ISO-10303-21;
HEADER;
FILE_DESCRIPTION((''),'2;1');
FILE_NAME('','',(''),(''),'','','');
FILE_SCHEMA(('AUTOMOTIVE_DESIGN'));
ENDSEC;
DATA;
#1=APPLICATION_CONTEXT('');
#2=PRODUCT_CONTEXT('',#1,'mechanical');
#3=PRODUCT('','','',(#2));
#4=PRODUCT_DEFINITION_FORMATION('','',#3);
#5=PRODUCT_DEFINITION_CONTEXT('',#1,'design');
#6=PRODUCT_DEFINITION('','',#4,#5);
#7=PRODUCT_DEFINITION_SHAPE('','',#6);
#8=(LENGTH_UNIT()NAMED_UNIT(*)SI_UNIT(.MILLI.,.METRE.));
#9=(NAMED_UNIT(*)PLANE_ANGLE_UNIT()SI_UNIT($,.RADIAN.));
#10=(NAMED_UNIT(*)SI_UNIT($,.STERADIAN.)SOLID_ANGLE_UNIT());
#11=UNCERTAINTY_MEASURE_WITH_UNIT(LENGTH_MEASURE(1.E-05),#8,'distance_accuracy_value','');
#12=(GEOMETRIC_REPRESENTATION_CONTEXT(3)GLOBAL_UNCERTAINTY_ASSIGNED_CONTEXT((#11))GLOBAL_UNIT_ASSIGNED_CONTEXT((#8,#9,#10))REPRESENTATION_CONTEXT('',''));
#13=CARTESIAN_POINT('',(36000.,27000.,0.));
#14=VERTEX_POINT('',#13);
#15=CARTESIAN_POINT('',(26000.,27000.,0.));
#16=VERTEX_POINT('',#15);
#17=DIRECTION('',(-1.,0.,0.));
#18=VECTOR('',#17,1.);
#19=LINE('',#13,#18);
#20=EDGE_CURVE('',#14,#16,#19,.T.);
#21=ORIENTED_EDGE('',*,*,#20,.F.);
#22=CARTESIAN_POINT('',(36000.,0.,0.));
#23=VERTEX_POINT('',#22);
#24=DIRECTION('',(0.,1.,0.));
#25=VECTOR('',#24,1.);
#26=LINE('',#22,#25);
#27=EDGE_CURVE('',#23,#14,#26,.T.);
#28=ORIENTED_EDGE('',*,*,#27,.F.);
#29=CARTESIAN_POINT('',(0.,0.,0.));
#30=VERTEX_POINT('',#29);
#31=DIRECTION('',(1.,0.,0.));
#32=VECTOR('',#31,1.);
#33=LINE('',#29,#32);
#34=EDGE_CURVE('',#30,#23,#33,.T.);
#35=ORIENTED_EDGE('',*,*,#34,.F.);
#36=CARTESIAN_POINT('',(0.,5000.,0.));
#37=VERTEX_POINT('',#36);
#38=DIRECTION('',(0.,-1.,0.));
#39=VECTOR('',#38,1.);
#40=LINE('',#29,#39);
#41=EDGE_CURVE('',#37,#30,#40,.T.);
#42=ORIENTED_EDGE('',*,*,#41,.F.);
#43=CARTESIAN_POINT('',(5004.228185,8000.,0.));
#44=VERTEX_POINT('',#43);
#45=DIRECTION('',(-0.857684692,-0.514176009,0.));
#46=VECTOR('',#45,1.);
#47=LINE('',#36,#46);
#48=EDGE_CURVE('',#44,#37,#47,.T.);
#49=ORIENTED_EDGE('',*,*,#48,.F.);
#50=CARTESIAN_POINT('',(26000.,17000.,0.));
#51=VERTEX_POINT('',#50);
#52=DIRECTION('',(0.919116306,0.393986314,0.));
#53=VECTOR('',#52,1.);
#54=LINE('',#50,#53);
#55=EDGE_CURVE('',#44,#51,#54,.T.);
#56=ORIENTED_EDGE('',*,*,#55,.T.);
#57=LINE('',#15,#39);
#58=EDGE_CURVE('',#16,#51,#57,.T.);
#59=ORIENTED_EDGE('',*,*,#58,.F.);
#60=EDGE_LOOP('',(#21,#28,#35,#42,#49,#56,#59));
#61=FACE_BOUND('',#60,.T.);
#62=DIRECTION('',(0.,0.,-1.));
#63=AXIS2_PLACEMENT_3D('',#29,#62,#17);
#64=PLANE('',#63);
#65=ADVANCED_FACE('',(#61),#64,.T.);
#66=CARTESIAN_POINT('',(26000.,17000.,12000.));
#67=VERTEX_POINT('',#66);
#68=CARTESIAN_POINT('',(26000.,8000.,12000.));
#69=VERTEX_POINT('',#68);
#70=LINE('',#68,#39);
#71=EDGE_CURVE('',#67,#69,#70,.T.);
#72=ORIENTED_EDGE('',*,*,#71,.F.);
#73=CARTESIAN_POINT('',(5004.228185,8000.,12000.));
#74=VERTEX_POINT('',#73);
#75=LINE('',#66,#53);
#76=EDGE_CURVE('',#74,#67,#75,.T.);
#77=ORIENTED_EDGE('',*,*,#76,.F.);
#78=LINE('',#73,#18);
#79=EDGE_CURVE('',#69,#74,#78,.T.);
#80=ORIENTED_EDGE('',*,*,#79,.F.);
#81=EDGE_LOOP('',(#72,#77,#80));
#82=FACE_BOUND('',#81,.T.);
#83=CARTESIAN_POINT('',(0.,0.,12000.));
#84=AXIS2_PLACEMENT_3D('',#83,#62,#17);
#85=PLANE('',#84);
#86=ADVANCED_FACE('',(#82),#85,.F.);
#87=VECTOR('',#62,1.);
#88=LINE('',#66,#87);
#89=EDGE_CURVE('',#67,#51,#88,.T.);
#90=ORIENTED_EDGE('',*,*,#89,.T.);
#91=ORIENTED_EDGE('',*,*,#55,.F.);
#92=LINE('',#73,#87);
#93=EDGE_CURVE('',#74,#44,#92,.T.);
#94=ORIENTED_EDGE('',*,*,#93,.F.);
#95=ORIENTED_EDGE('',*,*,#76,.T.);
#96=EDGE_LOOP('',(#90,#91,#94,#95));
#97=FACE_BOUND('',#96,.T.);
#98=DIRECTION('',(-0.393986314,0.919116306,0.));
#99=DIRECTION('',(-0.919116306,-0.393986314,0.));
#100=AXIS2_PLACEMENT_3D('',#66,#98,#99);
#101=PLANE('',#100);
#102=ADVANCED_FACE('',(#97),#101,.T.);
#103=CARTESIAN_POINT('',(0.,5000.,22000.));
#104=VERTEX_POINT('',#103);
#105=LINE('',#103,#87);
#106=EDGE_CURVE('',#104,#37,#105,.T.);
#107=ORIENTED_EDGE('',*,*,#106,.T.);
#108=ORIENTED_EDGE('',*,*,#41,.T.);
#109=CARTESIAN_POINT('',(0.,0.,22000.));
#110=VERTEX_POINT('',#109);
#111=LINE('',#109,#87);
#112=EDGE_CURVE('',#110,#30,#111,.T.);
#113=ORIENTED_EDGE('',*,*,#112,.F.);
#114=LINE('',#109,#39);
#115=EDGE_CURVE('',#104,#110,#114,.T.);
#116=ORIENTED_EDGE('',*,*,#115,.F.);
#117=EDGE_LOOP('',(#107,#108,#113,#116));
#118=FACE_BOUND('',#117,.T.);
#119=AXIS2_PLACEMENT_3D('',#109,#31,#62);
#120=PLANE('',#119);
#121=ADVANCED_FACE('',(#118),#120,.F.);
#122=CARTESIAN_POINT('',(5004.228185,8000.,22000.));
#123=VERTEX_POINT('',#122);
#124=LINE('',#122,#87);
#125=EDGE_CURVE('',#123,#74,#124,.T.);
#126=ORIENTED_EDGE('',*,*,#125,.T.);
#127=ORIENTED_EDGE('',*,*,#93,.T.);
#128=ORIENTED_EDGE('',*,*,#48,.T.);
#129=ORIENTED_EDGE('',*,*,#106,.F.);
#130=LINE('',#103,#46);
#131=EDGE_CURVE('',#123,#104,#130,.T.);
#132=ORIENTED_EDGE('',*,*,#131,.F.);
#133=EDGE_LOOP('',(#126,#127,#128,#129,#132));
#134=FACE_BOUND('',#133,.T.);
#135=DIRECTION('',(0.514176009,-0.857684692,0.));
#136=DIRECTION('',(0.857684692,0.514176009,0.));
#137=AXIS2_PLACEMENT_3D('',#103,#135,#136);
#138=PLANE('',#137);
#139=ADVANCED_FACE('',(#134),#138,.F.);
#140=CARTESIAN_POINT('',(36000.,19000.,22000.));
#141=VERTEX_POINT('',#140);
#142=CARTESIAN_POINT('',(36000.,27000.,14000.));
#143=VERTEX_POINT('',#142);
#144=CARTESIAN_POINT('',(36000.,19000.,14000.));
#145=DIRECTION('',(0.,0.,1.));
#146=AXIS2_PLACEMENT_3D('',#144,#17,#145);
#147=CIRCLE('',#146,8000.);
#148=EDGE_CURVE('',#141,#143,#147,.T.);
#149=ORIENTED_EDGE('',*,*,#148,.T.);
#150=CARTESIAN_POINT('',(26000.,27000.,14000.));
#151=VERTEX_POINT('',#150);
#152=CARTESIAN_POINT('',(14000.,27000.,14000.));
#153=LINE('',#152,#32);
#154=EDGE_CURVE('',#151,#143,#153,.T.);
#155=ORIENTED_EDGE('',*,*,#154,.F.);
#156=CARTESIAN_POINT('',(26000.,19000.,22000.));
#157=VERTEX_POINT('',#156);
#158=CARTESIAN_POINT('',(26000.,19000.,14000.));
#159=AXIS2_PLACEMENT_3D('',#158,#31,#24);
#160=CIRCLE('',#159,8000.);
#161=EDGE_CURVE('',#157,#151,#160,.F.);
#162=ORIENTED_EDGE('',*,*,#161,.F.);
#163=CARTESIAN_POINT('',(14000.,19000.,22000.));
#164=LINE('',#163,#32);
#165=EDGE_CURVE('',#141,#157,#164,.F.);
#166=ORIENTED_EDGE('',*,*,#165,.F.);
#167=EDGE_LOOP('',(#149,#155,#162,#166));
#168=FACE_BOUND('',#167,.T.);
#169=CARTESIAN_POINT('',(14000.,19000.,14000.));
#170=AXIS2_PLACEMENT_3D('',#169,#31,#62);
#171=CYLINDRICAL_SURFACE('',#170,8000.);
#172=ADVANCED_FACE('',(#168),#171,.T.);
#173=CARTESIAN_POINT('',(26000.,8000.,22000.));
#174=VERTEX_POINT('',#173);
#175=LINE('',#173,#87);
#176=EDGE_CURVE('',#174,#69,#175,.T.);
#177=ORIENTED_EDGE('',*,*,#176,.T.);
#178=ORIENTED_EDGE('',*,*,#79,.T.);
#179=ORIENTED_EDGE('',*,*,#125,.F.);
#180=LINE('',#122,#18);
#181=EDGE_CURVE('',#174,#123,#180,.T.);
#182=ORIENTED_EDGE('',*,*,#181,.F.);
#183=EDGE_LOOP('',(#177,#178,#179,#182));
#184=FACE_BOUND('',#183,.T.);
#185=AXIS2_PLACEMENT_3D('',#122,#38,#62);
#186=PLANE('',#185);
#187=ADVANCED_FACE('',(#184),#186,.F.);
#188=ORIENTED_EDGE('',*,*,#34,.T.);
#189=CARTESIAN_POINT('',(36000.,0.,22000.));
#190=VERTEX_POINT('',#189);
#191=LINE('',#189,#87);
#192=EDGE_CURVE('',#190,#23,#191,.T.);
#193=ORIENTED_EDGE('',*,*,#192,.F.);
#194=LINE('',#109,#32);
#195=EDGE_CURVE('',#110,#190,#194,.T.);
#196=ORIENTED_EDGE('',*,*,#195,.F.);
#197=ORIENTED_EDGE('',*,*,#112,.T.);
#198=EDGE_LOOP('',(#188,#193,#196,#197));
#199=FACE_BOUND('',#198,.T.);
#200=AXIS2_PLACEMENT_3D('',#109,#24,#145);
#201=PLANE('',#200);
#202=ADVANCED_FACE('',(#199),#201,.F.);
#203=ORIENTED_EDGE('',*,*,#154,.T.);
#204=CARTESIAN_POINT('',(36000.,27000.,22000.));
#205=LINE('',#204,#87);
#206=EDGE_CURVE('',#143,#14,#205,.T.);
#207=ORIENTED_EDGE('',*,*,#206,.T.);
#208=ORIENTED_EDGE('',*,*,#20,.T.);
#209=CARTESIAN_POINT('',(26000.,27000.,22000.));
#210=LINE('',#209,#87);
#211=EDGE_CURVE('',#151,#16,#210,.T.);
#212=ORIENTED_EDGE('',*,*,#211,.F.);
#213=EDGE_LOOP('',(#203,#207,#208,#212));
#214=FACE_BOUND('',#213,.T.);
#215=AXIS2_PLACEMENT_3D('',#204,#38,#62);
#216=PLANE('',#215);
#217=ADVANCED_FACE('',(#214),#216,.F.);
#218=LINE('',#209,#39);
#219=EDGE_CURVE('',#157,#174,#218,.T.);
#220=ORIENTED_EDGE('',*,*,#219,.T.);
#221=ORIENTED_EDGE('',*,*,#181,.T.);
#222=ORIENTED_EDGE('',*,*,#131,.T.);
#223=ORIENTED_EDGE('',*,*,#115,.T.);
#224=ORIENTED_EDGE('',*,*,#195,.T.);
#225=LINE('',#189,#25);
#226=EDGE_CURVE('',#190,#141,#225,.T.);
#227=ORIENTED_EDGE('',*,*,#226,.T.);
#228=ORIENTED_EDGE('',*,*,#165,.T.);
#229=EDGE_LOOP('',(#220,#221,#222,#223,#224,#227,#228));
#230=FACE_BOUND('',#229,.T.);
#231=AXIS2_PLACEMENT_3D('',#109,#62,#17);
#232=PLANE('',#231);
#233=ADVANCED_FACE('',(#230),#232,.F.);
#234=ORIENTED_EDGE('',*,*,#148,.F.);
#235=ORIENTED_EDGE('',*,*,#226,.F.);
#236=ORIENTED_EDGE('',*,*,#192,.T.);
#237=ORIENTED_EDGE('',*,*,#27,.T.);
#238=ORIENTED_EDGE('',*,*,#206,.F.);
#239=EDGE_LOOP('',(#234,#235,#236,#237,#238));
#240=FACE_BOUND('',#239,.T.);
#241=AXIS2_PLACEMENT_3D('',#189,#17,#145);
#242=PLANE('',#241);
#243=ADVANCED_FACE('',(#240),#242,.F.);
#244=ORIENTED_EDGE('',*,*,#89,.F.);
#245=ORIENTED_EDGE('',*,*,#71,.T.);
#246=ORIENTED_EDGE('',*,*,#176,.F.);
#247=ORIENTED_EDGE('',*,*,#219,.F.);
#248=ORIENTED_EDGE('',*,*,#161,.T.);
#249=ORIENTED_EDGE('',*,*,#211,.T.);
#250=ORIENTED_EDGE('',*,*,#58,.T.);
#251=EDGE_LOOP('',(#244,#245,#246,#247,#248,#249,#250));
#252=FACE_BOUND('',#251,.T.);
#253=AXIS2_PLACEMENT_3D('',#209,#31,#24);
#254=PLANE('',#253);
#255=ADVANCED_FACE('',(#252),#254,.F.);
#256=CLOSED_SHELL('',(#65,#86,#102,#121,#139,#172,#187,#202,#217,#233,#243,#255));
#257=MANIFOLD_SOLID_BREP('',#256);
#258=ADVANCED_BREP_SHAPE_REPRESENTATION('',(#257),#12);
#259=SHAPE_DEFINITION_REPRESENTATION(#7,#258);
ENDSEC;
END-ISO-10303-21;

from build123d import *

# Parameters (mm, degrees)
BOSS_EXTRUDE1_DEPTH = 22000
CUT_EXTRUDE1_DEPTH  = 22000
BOSS_EXTRUDE2_DEPTH = 12000


with BuildPart() as part:
    # Sketch2 → Boss-Extrude1 (new body)
    with BuildSketch(Plane.XY):
        Polygon((0, 0), (36000, 0), (36000, 27000), (26000, 27000), (26000, 8000), (5004.228184677, 8000), (0, 5000), align=None)
    extrude(amount=BOSS_EXTRUDE1_DEPTH)

    # Sketch3 → Cut-Extrude1 (cut)
    with BuildSketch(Plane(origin=(36000, 0, 0), x_dir=(0, 0, -1), z_dir=(1, 0, 0))):
        with BuildLine():
            Line((-22000, 19000), (-22000, 27000))
            Line((-22000, 27000), (-14000, 27000))
            ThreePointArc((-14000, 27000), (-19656.854249492, 24656.854249492), (-22000, 19000))
        make_face()
    extrude(amount=-CUT_EXTRUDE1_DEPTH, mode=Mode.SUBTRACT)

    # Sketch4 → Boss-Extrude2 (add)
    with BuildSketch(Plane(origin=(0, 0, 0), x_dir=(-1, 0, 0), z_dir=(0, 0, -1))):
        Polygon((-5004.228184677, 8000), (-26000, 8000), (-26000, 17000), align=None)
    extrude(amount=-BOSS_EXTRUDE2_DEPTH)


solid = part.part
